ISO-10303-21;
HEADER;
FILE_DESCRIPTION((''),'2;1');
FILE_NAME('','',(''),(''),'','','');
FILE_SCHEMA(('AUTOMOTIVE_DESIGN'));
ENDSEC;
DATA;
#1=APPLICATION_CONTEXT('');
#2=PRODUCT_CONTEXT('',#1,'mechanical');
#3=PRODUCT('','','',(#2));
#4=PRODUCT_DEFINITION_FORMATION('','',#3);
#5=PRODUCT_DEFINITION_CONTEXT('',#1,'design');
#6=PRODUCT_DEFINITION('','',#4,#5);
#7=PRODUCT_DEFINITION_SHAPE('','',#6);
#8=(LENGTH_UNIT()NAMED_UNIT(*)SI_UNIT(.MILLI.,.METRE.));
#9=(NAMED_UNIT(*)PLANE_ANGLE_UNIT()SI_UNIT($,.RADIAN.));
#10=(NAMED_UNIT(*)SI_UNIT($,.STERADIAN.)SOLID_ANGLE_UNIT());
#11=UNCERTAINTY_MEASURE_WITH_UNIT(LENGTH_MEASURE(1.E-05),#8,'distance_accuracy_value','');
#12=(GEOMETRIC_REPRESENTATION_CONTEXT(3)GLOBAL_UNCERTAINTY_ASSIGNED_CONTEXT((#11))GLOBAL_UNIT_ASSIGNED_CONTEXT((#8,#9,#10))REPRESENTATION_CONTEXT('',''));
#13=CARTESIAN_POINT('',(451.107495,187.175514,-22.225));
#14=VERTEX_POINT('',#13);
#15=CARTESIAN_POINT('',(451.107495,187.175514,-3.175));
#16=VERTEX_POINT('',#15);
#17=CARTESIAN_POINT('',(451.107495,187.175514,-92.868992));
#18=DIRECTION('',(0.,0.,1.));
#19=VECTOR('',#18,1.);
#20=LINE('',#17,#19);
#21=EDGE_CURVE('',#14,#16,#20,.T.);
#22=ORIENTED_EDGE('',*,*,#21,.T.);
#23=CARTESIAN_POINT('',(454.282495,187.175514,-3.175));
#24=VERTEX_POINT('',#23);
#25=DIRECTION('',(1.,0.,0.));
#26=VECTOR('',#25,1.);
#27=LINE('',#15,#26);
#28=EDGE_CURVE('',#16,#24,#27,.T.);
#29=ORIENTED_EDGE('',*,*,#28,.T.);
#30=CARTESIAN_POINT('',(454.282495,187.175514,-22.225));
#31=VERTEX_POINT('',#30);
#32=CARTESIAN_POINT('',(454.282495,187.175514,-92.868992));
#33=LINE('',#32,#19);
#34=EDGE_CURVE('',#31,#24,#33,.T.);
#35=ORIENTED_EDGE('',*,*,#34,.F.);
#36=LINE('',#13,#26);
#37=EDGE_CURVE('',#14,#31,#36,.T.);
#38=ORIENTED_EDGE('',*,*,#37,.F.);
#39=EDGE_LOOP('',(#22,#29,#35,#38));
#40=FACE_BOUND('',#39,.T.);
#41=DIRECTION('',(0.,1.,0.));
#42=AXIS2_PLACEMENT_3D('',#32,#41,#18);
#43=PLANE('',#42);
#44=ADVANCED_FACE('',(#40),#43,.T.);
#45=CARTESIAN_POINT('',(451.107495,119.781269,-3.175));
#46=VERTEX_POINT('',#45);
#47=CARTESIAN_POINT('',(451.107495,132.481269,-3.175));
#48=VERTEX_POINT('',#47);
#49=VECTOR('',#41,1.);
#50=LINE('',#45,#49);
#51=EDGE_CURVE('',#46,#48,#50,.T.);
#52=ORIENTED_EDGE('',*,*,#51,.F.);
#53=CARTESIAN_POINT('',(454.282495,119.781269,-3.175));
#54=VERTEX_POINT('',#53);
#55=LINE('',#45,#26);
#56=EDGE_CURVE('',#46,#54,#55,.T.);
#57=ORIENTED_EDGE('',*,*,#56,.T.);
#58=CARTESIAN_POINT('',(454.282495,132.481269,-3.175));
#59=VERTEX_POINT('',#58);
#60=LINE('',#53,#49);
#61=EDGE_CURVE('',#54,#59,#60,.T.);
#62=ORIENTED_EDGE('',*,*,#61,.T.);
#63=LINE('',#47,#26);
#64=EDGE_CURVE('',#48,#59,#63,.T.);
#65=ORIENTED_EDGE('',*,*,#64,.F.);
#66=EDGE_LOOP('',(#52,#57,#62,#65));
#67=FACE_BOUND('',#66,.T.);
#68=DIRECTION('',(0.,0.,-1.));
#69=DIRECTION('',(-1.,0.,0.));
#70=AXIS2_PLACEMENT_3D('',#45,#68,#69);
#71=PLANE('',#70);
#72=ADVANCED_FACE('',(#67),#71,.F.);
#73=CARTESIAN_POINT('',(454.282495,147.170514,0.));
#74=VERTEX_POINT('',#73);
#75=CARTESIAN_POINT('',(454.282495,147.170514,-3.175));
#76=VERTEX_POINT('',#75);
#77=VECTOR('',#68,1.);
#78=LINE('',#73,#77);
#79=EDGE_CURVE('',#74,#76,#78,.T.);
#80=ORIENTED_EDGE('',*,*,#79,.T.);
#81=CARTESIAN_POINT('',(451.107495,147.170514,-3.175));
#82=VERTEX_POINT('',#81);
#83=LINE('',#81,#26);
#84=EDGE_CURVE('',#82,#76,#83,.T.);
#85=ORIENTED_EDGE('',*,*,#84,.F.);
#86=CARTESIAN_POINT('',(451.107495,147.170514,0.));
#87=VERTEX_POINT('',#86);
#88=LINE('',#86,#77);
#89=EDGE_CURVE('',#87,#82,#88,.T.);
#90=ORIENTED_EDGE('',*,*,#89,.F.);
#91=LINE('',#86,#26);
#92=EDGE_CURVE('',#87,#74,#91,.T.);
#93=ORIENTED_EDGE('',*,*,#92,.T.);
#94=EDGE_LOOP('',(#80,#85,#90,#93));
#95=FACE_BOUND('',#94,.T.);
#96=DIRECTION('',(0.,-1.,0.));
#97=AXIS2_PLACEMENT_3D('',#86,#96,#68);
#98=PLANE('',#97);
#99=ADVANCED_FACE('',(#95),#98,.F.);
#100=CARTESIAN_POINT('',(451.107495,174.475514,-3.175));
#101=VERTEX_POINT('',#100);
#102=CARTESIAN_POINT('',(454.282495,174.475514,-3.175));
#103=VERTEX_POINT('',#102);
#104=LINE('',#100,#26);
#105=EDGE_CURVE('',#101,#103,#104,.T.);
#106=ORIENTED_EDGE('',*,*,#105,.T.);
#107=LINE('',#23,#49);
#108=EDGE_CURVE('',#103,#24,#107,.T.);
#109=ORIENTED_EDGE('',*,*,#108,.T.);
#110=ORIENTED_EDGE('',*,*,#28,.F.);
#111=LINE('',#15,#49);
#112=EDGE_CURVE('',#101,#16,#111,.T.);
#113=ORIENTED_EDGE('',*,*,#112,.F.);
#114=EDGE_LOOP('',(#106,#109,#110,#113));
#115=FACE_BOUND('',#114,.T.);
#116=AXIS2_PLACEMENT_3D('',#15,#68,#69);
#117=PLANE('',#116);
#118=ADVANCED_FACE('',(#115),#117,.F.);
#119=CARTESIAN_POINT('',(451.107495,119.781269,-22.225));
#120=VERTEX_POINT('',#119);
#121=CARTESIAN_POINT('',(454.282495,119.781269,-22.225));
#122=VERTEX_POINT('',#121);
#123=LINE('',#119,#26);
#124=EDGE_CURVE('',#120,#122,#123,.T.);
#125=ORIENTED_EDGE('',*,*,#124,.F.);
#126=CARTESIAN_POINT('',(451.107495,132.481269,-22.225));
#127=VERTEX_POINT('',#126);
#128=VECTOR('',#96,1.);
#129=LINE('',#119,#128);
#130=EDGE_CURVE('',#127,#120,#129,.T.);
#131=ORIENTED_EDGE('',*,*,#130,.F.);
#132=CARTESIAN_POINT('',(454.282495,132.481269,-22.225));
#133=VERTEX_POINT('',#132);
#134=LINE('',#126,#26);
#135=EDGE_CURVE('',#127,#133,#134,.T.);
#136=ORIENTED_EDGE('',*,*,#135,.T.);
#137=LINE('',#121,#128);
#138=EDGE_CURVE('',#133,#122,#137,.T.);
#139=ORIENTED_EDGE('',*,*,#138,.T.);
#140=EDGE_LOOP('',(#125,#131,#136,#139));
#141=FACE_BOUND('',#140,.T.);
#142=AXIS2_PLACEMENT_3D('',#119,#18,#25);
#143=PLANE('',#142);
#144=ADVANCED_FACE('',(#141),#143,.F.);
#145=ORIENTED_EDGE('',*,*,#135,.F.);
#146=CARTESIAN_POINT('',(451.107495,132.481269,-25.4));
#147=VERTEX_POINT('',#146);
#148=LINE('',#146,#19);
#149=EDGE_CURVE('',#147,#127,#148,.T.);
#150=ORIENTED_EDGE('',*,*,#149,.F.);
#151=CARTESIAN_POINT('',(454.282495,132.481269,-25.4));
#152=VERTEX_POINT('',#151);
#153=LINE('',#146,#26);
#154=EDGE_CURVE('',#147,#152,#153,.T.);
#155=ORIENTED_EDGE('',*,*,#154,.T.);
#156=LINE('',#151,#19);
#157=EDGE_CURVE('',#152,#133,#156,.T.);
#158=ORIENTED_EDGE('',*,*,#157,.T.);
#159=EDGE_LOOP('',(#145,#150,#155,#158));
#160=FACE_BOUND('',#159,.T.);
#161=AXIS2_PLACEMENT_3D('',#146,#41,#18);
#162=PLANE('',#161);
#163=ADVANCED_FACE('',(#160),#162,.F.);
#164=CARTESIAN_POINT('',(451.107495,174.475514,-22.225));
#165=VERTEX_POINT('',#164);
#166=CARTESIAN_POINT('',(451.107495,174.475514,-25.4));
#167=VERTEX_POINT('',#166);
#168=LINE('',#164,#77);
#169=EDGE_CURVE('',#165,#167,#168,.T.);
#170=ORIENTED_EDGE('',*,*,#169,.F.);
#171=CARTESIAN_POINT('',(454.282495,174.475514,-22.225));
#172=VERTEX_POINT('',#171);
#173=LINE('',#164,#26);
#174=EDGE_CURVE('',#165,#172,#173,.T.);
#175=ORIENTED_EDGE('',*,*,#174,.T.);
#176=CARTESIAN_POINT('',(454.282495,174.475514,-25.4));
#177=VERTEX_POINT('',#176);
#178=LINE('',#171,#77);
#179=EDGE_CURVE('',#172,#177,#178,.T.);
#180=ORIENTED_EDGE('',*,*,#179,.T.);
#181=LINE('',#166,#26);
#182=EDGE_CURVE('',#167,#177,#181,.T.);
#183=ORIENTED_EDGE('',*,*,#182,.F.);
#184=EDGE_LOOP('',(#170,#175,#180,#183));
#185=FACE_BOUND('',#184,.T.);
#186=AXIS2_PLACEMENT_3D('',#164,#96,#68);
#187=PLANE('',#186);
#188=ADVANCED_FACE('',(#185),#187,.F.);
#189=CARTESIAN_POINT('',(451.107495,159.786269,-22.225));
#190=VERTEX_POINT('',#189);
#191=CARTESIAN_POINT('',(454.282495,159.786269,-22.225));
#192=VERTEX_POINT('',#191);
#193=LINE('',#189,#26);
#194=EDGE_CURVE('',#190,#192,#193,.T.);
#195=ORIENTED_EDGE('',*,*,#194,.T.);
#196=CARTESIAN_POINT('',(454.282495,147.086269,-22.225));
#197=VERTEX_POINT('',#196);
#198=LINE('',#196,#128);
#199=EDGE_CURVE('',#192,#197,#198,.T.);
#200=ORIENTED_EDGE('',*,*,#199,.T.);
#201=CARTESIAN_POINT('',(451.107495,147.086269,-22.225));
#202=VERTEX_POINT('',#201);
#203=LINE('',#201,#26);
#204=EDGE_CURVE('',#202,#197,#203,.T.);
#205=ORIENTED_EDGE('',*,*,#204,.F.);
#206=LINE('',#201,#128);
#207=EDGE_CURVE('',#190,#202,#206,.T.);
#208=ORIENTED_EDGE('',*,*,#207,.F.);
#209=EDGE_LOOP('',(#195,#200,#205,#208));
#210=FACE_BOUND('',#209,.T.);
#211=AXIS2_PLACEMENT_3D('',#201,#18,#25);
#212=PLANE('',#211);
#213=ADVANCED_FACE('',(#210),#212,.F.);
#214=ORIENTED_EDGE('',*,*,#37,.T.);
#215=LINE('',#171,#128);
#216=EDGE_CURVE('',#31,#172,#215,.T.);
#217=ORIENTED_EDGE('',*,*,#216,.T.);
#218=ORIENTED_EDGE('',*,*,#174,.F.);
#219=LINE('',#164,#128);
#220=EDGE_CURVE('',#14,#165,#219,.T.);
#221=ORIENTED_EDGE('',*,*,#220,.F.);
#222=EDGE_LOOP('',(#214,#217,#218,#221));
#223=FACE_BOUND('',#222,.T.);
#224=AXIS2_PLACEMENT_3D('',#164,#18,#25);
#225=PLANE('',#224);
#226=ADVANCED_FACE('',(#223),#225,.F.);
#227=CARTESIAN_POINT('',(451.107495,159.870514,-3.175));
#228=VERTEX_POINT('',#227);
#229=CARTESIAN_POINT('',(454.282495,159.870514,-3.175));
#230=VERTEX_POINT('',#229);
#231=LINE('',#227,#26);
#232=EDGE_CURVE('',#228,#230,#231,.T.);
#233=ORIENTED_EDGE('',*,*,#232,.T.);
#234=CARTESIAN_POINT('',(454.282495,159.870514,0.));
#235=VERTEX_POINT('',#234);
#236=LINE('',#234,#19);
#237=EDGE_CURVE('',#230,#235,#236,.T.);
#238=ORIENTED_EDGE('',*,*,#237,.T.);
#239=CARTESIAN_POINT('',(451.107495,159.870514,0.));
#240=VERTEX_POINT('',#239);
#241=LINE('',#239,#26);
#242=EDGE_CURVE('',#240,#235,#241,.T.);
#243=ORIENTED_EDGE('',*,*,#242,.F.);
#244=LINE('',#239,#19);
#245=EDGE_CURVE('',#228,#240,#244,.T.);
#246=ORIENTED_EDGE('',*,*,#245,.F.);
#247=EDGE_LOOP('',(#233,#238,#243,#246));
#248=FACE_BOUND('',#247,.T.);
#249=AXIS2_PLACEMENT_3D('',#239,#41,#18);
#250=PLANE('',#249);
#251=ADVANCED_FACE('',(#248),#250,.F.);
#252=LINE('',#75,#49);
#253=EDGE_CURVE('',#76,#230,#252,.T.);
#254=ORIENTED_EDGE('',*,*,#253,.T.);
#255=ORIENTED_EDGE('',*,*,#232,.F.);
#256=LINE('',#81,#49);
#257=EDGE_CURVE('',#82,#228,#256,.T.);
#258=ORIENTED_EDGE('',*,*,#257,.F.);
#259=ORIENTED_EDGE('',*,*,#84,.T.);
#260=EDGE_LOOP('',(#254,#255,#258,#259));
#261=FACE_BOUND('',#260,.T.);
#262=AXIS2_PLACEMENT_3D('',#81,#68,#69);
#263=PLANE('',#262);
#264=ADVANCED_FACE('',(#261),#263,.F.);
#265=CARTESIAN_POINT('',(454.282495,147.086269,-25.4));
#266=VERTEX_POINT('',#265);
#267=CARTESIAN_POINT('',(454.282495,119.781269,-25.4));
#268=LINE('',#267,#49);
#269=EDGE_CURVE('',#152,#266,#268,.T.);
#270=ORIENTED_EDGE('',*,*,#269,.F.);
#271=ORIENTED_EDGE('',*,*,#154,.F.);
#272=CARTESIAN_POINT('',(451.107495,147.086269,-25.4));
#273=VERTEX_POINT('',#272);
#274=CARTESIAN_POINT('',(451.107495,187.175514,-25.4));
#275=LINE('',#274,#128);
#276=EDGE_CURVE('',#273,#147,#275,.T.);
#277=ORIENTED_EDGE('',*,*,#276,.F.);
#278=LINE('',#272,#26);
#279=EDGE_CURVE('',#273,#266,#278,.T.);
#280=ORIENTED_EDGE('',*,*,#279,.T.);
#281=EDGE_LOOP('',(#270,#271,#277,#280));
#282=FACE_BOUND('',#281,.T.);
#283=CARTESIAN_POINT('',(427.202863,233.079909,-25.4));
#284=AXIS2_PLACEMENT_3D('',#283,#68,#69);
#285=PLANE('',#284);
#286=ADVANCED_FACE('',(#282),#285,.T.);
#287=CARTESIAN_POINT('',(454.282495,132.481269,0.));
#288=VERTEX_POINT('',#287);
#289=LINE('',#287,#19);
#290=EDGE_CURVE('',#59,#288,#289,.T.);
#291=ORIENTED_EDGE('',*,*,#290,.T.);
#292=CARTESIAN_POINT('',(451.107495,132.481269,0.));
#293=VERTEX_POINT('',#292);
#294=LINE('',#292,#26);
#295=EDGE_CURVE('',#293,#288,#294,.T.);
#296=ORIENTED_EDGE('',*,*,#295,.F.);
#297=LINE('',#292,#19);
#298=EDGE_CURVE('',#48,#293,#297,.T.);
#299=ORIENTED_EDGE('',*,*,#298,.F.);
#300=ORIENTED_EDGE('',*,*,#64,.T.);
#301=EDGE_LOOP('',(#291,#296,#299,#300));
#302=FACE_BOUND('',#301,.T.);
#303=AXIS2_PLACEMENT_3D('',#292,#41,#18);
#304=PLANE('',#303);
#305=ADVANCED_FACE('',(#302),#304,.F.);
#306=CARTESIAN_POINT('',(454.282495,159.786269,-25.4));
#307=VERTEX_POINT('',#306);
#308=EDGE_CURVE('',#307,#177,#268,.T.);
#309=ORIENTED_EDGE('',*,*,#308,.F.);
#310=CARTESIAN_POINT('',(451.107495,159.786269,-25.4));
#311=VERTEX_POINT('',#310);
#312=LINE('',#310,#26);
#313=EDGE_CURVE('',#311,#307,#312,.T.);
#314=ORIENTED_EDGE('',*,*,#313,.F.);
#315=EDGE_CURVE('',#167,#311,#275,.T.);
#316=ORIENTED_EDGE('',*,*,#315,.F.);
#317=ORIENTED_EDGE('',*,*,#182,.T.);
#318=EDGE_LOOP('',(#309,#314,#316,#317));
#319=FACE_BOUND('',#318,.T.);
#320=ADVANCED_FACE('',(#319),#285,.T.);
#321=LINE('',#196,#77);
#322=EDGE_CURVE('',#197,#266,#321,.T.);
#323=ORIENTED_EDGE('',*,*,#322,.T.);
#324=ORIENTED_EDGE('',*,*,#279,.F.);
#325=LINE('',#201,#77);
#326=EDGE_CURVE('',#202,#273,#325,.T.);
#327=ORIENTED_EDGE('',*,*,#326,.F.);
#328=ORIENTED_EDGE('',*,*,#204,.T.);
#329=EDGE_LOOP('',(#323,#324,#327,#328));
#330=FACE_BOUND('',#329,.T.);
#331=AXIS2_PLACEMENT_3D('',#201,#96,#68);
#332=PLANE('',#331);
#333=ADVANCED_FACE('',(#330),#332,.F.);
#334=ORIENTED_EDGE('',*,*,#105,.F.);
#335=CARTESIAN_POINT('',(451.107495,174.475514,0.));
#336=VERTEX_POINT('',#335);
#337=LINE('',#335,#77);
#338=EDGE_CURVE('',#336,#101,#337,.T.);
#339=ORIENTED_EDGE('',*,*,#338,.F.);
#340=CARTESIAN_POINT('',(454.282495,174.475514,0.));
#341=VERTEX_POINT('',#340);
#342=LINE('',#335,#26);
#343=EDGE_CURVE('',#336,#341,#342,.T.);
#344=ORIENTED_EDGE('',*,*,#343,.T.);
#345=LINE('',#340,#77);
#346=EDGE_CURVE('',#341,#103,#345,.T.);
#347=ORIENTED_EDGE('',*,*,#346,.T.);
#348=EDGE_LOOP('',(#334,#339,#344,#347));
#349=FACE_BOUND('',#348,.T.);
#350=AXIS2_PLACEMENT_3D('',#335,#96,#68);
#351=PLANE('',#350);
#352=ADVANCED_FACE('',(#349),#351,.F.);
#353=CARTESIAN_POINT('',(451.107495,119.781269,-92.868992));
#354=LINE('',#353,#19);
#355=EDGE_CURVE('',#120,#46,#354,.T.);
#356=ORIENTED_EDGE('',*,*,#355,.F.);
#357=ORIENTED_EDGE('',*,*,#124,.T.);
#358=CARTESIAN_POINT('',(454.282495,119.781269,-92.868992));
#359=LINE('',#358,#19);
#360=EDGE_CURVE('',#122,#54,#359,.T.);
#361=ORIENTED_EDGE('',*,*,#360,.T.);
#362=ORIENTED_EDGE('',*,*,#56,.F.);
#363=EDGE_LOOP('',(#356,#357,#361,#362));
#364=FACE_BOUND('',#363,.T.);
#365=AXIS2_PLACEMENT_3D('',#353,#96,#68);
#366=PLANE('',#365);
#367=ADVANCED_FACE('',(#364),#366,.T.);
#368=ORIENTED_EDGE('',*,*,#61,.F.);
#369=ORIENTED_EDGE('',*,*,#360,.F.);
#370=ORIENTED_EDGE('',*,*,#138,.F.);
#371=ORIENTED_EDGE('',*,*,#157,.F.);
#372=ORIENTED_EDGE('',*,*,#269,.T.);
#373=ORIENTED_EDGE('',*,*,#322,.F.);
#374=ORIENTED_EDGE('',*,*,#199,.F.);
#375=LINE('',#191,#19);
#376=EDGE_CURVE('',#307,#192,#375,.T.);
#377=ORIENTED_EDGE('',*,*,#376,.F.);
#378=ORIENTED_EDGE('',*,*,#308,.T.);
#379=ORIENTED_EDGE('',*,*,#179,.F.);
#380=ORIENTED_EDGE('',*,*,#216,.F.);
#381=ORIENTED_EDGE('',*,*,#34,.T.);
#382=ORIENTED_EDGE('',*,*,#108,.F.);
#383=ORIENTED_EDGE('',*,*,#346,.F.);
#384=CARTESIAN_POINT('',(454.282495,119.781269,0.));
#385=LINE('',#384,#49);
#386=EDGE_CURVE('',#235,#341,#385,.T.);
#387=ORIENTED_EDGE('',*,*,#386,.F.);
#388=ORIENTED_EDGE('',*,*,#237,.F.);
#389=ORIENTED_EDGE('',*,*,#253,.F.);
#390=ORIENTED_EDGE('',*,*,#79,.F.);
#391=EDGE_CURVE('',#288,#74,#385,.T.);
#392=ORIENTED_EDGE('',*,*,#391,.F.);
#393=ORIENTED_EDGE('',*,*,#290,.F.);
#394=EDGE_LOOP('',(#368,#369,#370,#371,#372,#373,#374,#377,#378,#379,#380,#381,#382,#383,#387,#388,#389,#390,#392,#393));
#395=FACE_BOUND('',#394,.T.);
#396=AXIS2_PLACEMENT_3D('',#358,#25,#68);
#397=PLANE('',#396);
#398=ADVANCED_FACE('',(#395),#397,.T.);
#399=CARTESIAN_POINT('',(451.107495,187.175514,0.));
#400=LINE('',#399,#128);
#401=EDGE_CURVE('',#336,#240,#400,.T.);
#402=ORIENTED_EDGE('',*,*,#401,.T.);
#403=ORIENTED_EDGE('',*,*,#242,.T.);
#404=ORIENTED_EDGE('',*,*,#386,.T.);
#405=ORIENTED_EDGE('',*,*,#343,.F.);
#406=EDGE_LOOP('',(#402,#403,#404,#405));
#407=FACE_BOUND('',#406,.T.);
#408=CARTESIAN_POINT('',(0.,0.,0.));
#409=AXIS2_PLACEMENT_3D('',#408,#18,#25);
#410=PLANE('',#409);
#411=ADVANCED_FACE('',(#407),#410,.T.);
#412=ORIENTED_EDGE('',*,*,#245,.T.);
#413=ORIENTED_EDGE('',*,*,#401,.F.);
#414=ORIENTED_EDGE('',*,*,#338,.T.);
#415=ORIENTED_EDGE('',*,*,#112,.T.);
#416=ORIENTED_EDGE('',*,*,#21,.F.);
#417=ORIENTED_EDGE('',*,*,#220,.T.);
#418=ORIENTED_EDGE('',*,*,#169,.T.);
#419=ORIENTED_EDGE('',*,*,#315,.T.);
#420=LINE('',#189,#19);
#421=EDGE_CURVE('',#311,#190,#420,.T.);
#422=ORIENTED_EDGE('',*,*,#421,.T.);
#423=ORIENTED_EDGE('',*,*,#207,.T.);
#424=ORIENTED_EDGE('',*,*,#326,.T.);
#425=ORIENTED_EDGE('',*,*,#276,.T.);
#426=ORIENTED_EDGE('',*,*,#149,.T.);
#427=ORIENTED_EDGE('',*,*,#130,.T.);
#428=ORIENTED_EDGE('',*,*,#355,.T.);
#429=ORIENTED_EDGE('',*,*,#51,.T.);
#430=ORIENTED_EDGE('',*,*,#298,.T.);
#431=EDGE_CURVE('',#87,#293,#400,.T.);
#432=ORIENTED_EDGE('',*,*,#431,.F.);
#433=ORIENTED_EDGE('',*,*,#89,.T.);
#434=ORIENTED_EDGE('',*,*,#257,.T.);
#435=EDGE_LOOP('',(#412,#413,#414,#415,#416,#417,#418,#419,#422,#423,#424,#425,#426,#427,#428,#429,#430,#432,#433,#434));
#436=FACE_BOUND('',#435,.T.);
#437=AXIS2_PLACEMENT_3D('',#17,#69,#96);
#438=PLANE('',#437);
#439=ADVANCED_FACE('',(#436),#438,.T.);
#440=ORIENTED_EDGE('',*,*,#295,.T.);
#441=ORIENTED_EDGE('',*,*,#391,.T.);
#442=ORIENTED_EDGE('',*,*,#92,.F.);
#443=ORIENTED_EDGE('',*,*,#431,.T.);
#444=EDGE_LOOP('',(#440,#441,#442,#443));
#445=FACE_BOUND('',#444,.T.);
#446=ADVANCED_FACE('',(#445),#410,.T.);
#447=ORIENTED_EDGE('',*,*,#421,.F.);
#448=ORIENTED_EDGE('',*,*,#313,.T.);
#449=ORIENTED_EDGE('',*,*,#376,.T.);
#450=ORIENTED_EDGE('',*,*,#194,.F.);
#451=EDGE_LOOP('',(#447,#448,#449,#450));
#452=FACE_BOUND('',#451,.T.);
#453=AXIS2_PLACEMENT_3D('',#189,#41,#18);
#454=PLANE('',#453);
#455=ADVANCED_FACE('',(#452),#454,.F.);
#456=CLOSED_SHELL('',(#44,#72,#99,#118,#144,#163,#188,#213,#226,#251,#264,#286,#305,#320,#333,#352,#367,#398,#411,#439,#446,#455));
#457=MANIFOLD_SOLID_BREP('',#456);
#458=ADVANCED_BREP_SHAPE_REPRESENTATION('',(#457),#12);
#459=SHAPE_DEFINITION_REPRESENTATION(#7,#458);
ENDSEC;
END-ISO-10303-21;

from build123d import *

# Parameters (mm, degrees)
SKETCH1_W           = 3.175
SKETCH1_H           = 67.394244588
BOSS_EXTRUDE1_DEPTH = 25.4
SKETCH2_W           = 3.175
SKETCH2_H           = 12.7
CUT_EXTRUDE1_DEPTH  = 3.175


with BuildPart() as part:
    # Sketch1 → Boss-Extrude1 (new body)
    with BuildSketch(Plane.XY):
        with Locations((452.694995352, 153.478391554)):
            Rectangle(SKETCH1_W, SKETCH1_H)
    extrude(amount=-BOSS_EXTRUDE1_DEPTH)

    # Sketch2 → Cut-Extrude1 (cut)
    with BuildSketch(Plane(origin=(454.282495352, 0, 0), x_dir=(0, 0, -1), z_dir=(1, 0, 0))):
        with Locations((1.5875, 180.825513848)):
            Rectangle(SKETCH2_W, SKETCH2_H)
        with Locations((23.8125, 180.825513848)):
            Rectangle(SKETCH2_W, SKETCH2_H)
        with Locations((23.8125, 126.13126926)):
            Rectangle(SKETCH2_W, SKETCH2_H)
        with Locations((1.5875, 126.13126926)):
            Rectangle(SKETCH2_W, SKETCH2_H)
        with Locations((1.5875, 153.520513848)):
            Rectangle(SKETCH2_W, SKETCH2_H)
        with Locations((23.8125, 153.43626926)):
            Rectangle(SKETCH2_W, SKETCH2_H)
    extrude(amount=-CUT_EXTRUDE1_DEPTH, mode=Mode.SUBTRACT)


solid = part.part
